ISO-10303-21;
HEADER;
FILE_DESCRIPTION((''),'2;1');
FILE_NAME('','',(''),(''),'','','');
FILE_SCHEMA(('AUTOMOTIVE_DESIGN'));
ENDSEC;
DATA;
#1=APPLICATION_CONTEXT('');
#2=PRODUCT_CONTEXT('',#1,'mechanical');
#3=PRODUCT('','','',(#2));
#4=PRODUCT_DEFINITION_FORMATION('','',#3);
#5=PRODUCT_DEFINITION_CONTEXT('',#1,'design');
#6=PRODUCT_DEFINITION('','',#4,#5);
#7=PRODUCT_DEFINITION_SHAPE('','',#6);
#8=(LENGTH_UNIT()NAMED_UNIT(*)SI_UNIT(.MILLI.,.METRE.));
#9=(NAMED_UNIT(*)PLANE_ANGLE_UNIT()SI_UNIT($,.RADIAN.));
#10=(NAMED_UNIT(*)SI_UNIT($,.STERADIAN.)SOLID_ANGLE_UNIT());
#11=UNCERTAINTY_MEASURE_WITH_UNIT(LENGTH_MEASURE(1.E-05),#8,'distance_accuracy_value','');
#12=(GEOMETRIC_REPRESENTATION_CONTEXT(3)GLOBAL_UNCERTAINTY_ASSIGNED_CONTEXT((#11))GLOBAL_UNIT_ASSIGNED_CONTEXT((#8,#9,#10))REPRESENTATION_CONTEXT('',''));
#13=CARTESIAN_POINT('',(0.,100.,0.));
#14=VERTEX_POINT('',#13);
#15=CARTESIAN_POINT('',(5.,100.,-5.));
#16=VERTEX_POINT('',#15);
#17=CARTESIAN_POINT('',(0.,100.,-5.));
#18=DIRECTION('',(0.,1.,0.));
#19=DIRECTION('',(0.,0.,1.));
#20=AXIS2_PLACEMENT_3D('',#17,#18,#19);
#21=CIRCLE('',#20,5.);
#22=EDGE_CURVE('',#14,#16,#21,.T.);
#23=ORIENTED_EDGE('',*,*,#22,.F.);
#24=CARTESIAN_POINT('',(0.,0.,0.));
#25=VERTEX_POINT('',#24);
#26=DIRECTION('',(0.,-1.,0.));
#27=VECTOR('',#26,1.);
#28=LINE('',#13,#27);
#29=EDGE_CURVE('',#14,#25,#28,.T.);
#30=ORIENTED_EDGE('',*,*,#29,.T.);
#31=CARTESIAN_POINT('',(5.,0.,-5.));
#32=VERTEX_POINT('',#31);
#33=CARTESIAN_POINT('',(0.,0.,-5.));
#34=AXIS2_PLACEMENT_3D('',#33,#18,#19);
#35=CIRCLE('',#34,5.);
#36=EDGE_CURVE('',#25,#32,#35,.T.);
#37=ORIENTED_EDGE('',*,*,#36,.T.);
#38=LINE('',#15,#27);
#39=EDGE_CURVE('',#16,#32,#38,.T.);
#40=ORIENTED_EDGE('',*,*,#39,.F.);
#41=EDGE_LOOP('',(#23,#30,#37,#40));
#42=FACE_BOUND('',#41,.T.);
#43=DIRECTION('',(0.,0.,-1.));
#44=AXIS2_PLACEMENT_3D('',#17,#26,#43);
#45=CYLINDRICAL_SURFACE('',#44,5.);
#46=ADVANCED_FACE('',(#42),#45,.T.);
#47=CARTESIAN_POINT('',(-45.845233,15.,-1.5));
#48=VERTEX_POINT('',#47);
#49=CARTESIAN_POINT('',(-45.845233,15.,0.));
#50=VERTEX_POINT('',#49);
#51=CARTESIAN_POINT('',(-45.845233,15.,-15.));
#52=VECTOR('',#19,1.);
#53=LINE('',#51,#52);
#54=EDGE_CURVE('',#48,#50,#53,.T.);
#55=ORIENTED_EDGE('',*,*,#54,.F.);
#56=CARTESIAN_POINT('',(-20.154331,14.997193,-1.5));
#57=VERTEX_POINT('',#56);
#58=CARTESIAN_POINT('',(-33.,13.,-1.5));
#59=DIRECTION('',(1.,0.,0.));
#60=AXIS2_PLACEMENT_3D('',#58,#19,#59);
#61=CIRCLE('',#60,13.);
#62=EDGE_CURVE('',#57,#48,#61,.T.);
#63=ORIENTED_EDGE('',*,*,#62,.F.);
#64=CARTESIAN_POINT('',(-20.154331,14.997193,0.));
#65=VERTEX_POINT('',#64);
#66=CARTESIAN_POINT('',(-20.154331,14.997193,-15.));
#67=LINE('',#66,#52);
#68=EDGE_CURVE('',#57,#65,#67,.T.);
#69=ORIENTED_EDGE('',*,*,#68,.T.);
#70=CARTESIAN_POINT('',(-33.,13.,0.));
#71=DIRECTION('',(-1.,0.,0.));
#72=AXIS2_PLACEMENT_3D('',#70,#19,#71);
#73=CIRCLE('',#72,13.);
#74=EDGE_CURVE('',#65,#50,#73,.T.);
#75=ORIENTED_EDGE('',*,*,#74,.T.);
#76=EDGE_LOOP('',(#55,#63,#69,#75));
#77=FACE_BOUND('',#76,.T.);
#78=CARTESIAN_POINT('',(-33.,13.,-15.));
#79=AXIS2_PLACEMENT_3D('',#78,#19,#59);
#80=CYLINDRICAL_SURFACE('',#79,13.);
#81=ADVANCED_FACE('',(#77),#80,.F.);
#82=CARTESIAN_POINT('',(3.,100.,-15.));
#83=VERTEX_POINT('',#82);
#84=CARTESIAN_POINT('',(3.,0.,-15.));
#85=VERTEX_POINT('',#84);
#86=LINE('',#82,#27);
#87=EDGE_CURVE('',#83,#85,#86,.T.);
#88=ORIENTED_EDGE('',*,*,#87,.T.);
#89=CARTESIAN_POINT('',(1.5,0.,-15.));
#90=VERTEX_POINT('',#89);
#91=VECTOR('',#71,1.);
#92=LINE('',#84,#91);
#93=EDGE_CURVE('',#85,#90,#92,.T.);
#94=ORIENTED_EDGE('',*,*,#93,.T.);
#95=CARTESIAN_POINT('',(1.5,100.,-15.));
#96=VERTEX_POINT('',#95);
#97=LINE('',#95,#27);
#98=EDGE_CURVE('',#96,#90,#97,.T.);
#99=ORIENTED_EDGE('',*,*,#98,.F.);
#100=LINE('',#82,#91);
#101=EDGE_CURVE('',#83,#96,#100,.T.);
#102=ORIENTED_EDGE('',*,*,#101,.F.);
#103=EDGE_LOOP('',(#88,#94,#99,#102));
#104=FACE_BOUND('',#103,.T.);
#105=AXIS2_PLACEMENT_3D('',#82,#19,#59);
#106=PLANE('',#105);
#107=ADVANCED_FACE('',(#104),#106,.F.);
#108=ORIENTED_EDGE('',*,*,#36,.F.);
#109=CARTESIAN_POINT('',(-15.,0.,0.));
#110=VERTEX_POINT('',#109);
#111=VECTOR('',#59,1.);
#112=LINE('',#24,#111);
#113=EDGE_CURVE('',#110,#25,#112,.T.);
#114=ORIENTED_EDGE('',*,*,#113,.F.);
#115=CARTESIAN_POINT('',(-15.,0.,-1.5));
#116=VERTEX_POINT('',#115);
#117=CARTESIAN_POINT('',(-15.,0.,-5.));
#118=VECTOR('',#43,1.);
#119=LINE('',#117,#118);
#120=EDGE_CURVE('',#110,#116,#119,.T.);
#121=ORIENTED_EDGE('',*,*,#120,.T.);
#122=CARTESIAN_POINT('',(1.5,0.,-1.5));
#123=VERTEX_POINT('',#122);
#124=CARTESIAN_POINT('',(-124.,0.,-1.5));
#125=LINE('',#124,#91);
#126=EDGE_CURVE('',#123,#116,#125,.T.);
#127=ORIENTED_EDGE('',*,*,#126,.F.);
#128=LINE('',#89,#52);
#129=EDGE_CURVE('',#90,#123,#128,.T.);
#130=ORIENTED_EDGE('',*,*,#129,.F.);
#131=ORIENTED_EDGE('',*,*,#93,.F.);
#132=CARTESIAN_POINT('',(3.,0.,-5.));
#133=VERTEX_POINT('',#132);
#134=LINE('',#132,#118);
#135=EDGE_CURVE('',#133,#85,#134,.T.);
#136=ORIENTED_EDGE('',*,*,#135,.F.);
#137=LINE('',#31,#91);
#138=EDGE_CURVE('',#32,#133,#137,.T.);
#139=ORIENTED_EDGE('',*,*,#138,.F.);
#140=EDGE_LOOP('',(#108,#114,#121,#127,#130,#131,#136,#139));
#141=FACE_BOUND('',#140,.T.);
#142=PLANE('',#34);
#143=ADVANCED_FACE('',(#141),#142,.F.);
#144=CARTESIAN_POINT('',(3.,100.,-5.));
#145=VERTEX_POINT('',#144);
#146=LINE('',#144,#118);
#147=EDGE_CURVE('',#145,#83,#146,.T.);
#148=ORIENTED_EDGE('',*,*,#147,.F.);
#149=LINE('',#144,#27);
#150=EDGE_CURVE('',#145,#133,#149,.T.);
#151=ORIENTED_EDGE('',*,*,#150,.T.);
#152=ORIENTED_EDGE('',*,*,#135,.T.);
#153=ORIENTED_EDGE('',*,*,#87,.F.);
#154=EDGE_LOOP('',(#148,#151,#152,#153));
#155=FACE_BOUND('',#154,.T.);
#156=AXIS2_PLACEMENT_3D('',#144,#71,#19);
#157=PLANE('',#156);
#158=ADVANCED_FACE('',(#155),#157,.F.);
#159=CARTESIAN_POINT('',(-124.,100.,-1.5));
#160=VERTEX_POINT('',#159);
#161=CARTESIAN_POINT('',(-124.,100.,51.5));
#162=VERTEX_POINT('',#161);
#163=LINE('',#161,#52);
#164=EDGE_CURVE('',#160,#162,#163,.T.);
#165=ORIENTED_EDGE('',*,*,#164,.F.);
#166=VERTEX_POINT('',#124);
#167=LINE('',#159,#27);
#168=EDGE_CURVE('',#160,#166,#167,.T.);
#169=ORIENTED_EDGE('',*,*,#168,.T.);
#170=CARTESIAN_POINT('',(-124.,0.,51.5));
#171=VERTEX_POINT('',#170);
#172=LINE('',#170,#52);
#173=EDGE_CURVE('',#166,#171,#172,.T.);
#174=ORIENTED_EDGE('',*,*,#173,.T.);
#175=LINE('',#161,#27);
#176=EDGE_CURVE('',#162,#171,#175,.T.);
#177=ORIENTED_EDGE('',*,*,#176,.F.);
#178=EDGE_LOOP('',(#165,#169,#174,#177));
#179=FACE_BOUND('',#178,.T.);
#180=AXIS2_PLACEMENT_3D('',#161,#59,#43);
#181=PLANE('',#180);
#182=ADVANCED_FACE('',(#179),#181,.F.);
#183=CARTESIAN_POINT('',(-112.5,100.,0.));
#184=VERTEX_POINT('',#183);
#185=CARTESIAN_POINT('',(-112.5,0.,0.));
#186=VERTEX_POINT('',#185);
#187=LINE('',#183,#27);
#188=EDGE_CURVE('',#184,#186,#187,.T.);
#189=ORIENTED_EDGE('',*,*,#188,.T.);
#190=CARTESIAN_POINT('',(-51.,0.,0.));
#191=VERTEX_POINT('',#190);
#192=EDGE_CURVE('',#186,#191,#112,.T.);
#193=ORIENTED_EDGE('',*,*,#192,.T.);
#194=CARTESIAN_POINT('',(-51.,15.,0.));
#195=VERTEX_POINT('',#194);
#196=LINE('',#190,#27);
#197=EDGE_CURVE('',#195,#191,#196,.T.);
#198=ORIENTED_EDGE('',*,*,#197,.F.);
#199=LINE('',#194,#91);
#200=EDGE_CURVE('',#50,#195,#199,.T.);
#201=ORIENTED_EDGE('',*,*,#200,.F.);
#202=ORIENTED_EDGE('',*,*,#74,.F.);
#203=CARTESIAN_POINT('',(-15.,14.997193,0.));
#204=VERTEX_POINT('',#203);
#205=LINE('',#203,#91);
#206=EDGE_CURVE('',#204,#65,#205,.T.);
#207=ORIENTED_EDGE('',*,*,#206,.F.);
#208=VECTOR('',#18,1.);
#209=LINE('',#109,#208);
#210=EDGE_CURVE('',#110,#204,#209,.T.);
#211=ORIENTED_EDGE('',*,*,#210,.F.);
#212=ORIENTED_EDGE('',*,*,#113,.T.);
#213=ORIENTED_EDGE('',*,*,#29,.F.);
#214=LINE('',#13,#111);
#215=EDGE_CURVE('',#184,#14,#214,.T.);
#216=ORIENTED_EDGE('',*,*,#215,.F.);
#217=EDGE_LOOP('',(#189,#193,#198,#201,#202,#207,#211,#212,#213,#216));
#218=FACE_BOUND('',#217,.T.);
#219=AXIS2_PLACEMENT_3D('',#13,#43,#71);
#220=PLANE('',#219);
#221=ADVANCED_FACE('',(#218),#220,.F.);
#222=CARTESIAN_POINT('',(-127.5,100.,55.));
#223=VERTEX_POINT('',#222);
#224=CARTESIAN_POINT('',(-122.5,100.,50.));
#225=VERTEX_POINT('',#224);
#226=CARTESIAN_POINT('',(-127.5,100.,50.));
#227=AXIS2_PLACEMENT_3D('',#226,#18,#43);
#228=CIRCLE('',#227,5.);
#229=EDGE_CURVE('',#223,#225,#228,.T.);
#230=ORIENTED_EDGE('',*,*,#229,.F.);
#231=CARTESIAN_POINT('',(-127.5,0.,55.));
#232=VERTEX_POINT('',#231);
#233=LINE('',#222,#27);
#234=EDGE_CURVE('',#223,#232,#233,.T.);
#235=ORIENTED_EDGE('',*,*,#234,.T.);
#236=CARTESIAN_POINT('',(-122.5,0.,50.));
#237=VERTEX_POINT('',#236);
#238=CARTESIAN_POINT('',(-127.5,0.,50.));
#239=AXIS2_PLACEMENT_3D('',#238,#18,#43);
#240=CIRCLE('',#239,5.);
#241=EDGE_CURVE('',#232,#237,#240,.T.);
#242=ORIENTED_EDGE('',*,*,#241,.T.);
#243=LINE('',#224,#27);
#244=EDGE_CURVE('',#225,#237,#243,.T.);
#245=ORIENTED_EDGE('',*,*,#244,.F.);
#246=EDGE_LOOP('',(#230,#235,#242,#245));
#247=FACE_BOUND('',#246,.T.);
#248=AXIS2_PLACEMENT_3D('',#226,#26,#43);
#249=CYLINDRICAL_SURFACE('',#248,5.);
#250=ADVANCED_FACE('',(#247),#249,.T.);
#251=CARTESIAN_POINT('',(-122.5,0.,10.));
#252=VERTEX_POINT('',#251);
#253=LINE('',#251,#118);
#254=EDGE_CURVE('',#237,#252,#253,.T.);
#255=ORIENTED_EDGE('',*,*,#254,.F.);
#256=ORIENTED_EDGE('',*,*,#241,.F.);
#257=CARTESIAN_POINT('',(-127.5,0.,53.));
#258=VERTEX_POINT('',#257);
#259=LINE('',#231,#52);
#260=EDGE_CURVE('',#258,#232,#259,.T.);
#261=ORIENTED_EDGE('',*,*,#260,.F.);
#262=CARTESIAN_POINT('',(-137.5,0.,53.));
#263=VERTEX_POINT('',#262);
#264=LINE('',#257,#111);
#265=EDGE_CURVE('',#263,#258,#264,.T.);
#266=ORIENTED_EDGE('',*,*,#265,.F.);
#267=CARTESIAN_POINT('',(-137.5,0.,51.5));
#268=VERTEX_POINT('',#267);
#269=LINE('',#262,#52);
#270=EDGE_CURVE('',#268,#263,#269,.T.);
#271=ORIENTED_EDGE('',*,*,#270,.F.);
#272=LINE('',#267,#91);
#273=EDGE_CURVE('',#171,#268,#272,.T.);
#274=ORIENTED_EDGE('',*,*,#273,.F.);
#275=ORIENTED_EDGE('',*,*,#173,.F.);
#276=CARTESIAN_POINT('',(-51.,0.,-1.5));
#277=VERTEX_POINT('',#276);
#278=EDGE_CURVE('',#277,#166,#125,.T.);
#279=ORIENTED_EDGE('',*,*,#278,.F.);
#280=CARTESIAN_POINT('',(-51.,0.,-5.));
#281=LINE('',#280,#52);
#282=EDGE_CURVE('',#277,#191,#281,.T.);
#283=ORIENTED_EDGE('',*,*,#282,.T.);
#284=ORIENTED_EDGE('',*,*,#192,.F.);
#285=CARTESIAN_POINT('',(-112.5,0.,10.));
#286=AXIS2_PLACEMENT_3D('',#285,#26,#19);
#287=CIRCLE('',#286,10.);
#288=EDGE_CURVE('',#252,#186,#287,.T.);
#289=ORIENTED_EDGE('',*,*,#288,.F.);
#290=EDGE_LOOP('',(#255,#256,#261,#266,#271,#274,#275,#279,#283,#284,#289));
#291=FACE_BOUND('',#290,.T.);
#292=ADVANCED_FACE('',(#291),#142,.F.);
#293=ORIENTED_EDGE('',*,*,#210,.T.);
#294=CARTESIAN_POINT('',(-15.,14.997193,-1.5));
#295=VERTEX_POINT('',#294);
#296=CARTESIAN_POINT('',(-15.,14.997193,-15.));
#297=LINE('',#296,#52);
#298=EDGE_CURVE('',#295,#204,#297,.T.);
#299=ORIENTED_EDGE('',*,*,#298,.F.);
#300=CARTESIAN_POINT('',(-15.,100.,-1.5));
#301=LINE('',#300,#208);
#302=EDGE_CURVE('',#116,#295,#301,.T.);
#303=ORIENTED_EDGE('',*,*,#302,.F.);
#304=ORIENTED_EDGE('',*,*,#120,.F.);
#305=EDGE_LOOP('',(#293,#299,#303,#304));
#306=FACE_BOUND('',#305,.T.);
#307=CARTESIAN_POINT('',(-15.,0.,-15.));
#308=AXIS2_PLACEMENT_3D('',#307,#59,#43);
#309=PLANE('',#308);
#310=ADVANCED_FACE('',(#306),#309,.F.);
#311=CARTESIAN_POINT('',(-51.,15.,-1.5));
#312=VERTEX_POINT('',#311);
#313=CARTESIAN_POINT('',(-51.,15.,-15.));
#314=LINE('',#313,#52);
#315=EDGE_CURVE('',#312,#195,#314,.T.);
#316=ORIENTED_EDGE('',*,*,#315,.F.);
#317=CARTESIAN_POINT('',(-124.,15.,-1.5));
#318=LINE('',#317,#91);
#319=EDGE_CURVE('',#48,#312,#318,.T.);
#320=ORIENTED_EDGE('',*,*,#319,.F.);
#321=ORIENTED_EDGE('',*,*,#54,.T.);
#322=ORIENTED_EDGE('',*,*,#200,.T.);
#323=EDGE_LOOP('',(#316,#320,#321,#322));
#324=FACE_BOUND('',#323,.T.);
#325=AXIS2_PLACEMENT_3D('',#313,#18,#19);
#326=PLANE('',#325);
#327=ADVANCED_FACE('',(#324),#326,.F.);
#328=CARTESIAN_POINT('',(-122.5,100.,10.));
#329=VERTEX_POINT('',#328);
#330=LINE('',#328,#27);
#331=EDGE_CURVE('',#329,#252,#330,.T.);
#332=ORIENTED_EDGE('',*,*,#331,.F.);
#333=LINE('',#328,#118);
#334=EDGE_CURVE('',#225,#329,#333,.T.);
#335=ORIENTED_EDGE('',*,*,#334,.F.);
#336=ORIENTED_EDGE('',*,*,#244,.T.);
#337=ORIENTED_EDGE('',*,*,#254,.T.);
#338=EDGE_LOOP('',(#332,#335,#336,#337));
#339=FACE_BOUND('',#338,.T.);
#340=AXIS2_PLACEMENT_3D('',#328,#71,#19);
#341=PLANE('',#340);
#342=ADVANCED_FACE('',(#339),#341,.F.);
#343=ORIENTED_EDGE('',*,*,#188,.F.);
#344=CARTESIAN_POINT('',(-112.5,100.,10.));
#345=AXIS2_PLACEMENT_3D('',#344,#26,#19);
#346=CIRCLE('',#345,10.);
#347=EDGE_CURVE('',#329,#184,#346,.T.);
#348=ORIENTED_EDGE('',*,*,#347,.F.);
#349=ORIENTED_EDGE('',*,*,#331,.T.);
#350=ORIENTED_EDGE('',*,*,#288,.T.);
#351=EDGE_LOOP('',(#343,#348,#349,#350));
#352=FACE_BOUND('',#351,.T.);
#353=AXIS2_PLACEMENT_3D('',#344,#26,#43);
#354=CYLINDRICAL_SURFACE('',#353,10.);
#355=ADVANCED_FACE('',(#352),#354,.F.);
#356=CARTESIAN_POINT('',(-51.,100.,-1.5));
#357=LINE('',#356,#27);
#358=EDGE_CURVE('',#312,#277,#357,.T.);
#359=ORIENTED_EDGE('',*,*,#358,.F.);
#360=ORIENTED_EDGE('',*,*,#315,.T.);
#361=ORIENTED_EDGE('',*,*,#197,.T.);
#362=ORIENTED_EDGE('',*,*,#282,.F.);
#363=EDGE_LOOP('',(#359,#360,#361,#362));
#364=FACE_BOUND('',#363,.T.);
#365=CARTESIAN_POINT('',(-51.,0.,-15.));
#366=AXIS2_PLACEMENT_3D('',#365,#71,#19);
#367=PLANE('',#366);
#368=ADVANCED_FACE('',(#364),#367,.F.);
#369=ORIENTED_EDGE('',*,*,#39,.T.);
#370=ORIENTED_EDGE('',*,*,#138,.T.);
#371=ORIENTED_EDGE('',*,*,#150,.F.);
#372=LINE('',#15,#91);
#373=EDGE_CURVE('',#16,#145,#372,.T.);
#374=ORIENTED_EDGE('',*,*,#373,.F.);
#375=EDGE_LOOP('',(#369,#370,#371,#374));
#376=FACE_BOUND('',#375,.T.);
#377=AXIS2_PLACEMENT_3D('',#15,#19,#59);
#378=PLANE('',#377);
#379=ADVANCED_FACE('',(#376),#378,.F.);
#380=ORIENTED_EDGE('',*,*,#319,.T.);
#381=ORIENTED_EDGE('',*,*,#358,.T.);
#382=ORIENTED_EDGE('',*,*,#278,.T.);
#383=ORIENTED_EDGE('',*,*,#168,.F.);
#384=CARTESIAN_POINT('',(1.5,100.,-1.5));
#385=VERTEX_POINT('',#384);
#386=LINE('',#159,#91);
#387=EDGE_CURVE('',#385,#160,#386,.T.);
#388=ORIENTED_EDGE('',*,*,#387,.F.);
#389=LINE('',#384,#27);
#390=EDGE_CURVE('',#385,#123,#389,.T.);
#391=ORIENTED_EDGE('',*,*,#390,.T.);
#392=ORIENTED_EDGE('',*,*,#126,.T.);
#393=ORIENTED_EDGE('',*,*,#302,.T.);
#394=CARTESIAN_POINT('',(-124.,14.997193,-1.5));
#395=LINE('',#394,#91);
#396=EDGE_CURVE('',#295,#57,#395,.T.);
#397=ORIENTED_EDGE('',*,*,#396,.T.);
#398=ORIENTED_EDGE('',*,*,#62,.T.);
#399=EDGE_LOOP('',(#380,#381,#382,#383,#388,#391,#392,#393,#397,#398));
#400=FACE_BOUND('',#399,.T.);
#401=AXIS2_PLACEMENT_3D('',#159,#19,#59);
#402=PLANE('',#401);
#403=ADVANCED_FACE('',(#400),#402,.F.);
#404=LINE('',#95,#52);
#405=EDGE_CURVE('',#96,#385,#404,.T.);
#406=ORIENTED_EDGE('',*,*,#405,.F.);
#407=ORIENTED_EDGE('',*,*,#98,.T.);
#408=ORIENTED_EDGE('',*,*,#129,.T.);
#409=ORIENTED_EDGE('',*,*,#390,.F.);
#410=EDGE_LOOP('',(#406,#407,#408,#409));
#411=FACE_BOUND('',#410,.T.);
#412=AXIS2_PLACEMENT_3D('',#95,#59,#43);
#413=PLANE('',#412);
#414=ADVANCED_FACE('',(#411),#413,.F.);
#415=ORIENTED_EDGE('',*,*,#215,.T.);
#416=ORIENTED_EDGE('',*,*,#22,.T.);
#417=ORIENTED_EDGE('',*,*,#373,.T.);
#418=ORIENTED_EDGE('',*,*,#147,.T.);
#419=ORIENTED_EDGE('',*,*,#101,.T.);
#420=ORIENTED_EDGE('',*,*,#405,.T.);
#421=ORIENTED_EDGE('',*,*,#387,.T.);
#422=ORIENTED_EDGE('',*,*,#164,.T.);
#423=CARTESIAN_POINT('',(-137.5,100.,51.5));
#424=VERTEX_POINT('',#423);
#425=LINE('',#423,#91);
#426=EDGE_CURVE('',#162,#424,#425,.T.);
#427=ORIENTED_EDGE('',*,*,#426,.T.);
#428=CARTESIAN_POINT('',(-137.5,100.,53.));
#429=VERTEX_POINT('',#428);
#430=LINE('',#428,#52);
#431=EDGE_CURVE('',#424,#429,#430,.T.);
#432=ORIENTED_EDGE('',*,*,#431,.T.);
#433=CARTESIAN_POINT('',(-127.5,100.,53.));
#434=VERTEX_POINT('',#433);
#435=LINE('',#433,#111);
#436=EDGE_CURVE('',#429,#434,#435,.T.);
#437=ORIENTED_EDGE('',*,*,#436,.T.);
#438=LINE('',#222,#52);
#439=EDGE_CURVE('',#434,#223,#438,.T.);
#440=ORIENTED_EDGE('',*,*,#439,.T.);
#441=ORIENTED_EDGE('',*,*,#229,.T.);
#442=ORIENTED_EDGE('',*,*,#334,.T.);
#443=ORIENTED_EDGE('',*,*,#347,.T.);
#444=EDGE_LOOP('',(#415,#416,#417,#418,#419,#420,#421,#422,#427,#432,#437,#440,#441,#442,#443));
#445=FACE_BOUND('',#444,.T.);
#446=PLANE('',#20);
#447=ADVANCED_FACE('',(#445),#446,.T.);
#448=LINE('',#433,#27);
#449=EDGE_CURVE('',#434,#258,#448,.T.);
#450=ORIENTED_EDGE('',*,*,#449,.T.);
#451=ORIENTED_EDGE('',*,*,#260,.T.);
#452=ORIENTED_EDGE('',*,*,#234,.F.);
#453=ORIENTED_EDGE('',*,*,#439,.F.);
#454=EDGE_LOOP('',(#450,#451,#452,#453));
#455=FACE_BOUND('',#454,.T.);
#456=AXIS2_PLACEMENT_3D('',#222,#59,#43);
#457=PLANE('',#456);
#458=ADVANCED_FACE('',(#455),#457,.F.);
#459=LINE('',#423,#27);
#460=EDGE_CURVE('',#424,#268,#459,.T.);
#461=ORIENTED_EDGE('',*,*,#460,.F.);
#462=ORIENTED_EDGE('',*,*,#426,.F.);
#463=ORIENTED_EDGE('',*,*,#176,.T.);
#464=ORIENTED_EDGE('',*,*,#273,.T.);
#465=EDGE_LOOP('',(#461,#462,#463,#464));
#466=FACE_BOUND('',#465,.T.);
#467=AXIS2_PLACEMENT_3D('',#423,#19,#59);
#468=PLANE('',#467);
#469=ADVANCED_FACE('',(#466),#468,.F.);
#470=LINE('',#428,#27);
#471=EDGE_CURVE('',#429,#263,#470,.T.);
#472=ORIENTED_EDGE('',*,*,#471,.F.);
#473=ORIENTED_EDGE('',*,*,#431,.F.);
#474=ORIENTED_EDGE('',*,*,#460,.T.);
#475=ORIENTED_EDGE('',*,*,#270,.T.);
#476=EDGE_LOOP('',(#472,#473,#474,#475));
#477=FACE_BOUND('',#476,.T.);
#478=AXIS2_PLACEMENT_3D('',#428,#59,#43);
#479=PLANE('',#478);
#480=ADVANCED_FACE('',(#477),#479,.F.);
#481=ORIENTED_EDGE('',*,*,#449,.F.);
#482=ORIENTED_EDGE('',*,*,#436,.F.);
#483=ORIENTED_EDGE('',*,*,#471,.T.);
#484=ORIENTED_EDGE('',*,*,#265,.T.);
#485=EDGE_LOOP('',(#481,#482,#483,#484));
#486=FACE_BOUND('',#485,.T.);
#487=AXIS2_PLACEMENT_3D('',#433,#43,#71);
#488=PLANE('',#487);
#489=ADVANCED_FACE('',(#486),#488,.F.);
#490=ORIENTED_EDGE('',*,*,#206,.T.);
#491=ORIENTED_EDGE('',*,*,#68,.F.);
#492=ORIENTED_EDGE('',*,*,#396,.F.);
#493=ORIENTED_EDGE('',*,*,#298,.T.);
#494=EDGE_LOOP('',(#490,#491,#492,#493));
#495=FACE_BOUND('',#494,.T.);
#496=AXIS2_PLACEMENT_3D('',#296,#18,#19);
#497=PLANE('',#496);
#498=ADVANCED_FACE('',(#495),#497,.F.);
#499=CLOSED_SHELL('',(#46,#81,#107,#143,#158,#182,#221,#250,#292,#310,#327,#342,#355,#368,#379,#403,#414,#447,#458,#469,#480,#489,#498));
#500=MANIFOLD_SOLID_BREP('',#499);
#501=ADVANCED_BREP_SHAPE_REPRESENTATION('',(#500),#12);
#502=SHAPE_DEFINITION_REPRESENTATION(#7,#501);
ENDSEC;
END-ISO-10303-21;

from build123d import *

# Parameters (mm, degrees)
EXTRUDE_1_DEPTH     = 100
CUT_EXTRUDE_1_DEPTH = 16


with BuildPart() as part:
    # Эскиз1 → Бобышка-Вытянуть1 (new body)
    with BuildSketch(Plane(origin=(0, 0, 0), x_dir=(1, 0, 0), z_dir=(0, 1, 0))):
        with BuildLine():
            Line((0, 0), (-112.5, 0))
            ThreePointArc((-112.5, 0), (-119.571067812, -2.928932188), (-122.5, -10))
            Line((-122.5, -10), (-122.5, -50))
            ThreePointArc((-122.5, -50), (-123.964466094, -53.535533906), (-127.5, -55))
            Line((-127.5, -55), (-127.5, -53))
            Line((-127.5, -53), (-137.5, -53))
            Line((-137.5, -53), (-137.5, -51.5))
            Line((-137.5, -51.5), (-124, -51.5))
            Line((-124, -51.5), (-124, 1.5))
            Line((-124, 1.5), (1.5, 1.5))
            Line((1.5, 1.5), (1.5, 15))
            Line((1.5, 15), (3, 15))
            Line((3, 15), (3, 5))
            Line((3, 5), (5, 5))
            ThreePointArc((5, 5), (3.535533906, 1.464466094), (0, 0))
        make_face()
    extrude(amount=EXTRUDE_1_DEPTH)

    # Эскиз4 → Вырез-Вытянуть1 (cut, through all)
    with BuildSketch(Plane.XY):
        with BuildLine():
            Line((-15, 0), (-51, 0))
            Line((-51, 0), (-51, 15))
            Line((-51, 15), (-45.845232579, 15))
            ThreePointArc((-45.845232579, 15), (-32.998579553, 25.999999922), (-20.154330668, 14.997192881))
            Line((-20.154330668, 14.997192881), (-15, 14.997192881))
            Line((-15, 14.997192881), (-15, 0))
        make_face()
    extrude(amount=-CUT_EXTRUDE_1_DEPTH, mode=Mode.SUBTRACT)


solid = part.part
